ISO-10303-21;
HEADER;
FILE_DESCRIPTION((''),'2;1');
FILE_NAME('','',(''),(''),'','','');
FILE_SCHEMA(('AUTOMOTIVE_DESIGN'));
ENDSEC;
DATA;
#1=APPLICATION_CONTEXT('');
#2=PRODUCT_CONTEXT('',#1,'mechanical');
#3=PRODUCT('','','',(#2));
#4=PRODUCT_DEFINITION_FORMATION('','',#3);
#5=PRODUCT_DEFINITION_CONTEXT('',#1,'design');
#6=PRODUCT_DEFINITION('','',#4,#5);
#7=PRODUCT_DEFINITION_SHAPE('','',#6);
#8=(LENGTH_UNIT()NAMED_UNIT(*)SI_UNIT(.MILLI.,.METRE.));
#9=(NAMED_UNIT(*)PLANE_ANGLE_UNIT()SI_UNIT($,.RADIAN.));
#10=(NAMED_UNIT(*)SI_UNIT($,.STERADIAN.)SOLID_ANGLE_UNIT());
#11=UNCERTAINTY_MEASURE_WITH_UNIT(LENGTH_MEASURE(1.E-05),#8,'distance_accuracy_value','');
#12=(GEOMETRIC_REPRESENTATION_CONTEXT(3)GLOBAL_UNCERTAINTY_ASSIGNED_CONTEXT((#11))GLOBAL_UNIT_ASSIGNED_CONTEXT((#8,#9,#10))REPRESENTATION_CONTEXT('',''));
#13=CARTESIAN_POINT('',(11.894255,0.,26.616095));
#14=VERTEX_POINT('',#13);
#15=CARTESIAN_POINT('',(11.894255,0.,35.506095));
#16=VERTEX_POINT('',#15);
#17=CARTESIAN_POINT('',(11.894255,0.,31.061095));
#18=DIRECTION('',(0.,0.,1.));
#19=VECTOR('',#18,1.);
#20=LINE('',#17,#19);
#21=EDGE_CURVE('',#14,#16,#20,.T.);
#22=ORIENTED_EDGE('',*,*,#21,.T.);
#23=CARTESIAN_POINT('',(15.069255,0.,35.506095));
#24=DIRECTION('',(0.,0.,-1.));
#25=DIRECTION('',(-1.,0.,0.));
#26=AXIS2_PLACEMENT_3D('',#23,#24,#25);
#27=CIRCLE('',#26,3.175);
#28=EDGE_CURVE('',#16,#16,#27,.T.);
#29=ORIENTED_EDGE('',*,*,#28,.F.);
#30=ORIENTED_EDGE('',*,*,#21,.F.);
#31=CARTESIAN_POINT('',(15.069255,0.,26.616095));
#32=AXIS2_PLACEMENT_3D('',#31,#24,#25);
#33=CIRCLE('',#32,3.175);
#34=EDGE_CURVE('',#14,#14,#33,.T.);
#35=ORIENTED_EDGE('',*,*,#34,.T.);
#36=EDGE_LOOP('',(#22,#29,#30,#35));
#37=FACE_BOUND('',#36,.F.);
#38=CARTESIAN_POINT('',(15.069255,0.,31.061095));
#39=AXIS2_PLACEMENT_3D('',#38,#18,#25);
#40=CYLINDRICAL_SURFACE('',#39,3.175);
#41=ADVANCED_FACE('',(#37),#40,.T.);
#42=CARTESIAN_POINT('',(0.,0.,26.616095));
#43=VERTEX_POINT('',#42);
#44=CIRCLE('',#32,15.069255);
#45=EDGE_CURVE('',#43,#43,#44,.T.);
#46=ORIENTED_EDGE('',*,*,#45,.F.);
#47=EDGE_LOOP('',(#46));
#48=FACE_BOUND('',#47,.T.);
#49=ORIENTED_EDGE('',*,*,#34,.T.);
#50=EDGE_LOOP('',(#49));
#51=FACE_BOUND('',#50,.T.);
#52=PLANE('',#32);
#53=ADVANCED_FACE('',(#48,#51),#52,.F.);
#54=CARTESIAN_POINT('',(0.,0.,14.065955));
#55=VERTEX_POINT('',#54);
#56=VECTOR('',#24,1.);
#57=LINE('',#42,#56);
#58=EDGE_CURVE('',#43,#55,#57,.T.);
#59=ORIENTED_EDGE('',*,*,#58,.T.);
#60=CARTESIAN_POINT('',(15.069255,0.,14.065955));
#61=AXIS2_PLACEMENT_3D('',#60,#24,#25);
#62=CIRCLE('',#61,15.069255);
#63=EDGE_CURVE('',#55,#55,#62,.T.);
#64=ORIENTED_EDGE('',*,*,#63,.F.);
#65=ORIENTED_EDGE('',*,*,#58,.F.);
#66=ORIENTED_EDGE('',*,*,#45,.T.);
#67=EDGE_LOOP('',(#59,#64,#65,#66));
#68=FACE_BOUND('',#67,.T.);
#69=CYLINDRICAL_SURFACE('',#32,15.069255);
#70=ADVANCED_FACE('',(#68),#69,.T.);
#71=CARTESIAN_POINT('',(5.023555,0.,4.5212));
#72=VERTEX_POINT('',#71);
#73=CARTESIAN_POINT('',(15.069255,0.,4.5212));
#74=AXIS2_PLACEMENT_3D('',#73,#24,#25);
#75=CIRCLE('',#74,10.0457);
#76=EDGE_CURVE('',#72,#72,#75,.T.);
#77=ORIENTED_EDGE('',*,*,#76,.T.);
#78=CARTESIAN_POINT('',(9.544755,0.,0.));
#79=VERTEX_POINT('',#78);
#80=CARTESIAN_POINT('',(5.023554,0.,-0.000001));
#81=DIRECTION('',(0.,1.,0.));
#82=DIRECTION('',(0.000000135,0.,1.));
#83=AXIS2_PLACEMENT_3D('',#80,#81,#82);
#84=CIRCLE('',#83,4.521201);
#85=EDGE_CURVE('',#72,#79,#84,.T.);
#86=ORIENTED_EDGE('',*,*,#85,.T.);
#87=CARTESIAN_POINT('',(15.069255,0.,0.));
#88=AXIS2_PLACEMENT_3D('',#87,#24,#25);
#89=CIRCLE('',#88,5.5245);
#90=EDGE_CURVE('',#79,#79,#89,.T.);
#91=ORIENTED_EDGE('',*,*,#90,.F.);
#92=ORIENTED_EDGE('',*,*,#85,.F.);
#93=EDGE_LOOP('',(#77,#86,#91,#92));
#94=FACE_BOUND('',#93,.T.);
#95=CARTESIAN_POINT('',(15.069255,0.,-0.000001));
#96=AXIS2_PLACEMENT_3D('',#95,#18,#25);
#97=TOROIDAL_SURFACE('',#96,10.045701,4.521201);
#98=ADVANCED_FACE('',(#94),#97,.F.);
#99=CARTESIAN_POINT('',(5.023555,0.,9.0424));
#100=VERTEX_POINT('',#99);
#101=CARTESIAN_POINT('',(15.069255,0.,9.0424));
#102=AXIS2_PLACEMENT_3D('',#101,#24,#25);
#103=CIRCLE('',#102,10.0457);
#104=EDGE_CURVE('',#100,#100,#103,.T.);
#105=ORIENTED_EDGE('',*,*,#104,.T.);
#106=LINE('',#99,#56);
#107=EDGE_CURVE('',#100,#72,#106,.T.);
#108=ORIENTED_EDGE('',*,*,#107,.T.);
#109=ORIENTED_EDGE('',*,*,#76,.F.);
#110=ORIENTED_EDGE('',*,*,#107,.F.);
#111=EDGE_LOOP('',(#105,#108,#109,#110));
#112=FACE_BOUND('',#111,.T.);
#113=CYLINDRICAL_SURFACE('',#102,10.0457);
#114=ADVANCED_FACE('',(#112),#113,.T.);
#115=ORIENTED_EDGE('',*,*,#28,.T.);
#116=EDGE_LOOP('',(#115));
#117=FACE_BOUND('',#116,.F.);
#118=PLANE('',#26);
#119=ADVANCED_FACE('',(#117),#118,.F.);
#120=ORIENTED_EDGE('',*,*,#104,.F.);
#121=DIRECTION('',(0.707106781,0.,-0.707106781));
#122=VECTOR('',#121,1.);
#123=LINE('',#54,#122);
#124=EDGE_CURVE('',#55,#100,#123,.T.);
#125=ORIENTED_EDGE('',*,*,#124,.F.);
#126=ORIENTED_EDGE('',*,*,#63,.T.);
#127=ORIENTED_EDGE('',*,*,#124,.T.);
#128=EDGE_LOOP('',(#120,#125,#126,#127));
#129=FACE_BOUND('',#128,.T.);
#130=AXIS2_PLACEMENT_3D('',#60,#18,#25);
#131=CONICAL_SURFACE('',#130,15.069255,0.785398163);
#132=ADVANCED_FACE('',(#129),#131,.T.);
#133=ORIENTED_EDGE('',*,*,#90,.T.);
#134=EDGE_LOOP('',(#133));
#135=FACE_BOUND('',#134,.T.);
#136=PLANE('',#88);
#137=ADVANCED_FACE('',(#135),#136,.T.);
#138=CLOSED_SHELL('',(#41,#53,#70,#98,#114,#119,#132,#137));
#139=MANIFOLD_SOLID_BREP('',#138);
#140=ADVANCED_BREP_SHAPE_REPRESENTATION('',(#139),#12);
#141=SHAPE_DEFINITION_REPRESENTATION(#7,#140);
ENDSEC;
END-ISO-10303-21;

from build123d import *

# Parameters (mm, degrees)
F0_W = 3.175
F0_H = 8.89


with BuildPart() as f1:
    # F0 (on Front) → F1 (revolve)
    with BuildSketch(Plane.XZ):
        with BuildLine():
            Line((11.894255, 26.616095), (0, 26.616095))
            Line((0, 26.616095), (0, 14.065955))
            Line((0, 14.065955), (5.023555, 9.0424))
            Line((5.023555, 9.0424), (5.023555, 4.5212))
            ThreePointArc((5.023555, 4.5212), (8.220526, 3.196971), (9.544755, 0))
            Line((9.544755, 0), (15.069255, 0))
            Line((15.069255, 0), (15.069255, 26.616095))
            Line((15.069255, 26.616095), (11.894255, 26.616095))
        make_face()
        with Locations((13.481755, 31.061095)):
            Rectangle(F0_W, F0_H)
    revolve(axis=Axis((15.069255, 0, 17.753048), (0, 0, -1)))


solid = f1.part
